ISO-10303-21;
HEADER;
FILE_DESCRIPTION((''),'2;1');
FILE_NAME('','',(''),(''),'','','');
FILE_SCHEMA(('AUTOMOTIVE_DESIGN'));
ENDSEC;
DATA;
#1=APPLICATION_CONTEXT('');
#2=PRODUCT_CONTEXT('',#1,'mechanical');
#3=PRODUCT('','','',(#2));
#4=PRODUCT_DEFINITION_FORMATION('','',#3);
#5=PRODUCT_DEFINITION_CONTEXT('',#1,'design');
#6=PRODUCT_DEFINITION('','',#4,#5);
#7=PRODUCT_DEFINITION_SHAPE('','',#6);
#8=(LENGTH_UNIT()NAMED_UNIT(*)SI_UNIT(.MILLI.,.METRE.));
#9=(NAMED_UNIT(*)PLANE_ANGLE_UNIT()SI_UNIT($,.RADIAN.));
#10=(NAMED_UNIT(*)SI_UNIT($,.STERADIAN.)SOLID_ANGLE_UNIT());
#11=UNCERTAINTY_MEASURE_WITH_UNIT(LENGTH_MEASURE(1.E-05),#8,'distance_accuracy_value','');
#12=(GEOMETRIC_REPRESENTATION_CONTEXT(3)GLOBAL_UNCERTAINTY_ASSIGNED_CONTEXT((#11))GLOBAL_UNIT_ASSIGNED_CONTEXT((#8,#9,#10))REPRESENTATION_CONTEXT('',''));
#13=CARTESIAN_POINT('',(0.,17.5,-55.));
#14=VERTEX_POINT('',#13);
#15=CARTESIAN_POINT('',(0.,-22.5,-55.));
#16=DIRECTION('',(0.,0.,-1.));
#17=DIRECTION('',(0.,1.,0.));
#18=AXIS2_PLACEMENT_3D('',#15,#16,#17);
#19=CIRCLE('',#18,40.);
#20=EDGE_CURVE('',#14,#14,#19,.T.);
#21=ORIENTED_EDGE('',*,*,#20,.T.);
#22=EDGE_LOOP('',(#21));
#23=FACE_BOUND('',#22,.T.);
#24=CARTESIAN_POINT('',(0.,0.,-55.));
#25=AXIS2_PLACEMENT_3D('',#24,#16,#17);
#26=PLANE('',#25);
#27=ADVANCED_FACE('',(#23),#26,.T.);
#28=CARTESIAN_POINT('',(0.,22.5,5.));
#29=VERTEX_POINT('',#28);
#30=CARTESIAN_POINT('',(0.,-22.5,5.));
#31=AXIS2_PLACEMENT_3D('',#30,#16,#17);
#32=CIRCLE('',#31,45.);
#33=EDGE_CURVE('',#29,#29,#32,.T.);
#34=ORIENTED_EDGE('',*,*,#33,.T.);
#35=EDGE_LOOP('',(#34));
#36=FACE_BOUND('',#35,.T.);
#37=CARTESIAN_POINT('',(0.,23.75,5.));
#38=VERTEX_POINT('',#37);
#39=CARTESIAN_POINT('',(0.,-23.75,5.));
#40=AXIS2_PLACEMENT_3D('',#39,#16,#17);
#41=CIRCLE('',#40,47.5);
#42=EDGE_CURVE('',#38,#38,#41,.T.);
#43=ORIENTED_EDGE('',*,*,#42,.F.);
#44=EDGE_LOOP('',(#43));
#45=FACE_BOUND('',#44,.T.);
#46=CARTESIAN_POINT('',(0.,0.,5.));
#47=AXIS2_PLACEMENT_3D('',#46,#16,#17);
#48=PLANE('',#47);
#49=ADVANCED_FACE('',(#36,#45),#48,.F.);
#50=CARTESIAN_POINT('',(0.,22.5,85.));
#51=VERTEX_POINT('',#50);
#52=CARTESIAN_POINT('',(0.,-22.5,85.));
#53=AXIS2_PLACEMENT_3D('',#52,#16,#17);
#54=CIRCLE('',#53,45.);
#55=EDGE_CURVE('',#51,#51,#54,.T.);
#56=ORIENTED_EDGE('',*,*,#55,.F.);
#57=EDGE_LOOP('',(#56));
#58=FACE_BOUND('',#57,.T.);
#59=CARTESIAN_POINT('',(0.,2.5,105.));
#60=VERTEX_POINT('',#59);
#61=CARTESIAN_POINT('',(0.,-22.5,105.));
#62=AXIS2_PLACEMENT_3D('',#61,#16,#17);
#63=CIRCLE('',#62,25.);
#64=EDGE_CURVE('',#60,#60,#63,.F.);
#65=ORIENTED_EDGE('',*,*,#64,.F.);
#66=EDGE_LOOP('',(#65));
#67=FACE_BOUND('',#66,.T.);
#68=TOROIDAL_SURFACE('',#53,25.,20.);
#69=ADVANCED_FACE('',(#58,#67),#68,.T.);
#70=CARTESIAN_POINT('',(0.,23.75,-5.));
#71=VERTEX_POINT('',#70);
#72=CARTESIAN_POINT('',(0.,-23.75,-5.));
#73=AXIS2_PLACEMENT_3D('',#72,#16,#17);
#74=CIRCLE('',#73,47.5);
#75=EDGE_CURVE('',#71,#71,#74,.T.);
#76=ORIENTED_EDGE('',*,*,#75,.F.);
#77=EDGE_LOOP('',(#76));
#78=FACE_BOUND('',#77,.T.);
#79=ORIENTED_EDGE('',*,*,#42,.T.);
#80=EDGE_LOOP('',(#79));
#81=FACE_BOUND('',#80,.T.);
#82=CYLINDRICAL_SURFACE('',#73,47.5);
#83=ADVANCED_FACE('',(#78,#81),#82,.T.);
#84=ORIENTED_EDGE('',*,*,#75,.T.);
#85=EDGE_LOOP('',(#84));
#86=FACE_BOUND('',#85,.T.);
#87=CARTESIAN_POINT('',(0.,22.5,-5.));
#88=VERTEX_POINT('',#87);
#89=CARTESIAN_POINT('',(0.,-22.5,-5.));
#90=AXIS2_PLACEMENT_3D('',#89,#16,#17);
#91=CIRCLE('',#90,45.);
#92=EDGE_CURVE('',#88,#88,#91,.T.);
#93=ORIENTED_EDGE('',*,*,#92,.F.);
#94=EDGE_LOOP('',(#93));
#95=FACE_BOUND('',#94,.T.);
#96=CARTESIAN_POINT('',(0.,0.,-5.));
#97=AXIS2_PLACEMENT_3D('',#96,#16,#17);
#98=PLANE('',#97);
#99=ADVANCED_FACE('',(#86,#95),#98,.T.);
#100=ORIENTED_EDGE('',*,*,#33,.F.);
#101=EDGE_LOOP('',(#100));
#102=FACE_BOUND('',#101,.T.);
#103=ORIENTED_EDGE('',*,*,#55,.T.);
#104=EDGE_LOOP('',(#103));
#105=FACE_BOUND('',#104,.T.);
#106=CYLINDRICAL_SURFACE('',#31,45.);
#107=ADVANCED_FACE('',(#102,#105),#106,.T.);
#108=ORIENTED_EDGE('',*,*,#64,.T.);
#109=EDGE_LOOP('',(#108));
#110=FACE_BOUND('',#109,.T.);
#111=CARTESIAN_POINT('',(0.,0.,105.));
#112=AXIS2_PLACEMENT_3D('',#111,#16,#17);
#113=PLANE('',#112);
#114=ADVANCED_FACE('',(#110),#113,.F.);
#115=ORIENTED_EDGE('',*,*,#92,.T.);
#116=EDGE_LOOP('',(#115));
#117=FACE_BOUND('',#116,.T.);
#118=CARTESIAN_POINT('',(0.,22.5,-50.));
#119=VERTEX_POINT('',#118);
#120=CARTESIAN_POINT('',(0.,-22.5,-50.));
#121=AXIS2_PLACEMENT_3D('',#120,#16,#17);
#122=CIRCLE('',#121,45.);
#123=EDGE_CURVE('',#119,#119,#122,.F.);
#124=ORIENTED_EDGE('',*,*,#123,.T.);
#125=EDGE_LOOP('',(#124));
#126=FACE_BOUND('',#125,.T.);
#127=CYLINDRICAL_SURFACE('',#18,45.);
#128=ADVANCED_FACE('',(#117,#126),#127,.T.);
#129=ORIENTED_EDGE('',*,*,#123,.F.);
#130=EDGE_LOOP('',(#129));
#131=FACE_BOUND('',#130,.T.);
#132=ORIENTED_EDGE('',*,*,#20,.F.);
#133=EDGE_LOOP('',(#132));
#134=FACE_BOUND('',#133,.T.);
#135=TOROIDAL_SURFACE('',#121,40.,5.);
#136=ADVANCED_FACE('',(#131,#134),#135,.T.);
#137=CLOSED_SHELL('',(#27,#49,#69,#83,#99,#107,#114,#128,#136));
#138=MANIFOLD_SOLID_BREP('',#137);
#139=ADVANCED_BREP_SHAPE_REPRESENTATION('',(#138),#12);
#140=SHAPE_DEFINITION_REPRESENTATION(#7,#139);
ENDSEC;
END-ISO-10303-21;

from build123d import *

# Parameters (mm, degrees)
SKETCH1_W   = 45
SKETCH1_H   = 100
SKETCH1_7_W = 45
SKETCH1_7_H = 50
FILLET1_R   = 20
FILLET2_R   = 5


with BuildPart() as part:
    # Sketch1 → Revolve2 (revolve)
    with BuildSketch(Plane.YZ):
        with Locations((0, 55)):
            Rectangle(SKETCH1_W, SKETCH1_H)
    revolve(axis=Axis((0, -22.5, 5), (0, 0, 1)))

    # Sketch1<6> → Revolve3 (revolve)
    with BuildSketch(Plane.YZ):
        Polygon((-23.75, 5), (-23.75, -5), (-22.5, -5), (22.5, -5), (23.75, -5), (23.75, 5), (22.5, 5), (-22.5, 5), align=None)
    revolve(axis=Axis((0, -23.75, -5), (0, 0, 1)))

    # Sketch1<7> → Revolve4 (revolve)
    with BuildSketch(Plane.YZ):
        with Locations((0, -30)):
            Rectangle(SKETCH1_7_W, SKETCH1_7_H)
    revolve(axis=Axis((0, -22.5, -55), (0, 0, 1)))

    # Fillet1
    fillet1_edges = [part.edges().sort_by_distance(p)[0] for p in [
        (0, -67.5, 105),
    ]]
    fillet(fillet1_edges, radius=FILLET1_R)

    # Fillet2
    fillet2_edges = [part.edges().sort_by_distance(p)[0] for p in [
        (0, -67.5, -55),
    ]]
    fillet(fillet2_edges, radius=FILLET2_R)


solid = part.part
